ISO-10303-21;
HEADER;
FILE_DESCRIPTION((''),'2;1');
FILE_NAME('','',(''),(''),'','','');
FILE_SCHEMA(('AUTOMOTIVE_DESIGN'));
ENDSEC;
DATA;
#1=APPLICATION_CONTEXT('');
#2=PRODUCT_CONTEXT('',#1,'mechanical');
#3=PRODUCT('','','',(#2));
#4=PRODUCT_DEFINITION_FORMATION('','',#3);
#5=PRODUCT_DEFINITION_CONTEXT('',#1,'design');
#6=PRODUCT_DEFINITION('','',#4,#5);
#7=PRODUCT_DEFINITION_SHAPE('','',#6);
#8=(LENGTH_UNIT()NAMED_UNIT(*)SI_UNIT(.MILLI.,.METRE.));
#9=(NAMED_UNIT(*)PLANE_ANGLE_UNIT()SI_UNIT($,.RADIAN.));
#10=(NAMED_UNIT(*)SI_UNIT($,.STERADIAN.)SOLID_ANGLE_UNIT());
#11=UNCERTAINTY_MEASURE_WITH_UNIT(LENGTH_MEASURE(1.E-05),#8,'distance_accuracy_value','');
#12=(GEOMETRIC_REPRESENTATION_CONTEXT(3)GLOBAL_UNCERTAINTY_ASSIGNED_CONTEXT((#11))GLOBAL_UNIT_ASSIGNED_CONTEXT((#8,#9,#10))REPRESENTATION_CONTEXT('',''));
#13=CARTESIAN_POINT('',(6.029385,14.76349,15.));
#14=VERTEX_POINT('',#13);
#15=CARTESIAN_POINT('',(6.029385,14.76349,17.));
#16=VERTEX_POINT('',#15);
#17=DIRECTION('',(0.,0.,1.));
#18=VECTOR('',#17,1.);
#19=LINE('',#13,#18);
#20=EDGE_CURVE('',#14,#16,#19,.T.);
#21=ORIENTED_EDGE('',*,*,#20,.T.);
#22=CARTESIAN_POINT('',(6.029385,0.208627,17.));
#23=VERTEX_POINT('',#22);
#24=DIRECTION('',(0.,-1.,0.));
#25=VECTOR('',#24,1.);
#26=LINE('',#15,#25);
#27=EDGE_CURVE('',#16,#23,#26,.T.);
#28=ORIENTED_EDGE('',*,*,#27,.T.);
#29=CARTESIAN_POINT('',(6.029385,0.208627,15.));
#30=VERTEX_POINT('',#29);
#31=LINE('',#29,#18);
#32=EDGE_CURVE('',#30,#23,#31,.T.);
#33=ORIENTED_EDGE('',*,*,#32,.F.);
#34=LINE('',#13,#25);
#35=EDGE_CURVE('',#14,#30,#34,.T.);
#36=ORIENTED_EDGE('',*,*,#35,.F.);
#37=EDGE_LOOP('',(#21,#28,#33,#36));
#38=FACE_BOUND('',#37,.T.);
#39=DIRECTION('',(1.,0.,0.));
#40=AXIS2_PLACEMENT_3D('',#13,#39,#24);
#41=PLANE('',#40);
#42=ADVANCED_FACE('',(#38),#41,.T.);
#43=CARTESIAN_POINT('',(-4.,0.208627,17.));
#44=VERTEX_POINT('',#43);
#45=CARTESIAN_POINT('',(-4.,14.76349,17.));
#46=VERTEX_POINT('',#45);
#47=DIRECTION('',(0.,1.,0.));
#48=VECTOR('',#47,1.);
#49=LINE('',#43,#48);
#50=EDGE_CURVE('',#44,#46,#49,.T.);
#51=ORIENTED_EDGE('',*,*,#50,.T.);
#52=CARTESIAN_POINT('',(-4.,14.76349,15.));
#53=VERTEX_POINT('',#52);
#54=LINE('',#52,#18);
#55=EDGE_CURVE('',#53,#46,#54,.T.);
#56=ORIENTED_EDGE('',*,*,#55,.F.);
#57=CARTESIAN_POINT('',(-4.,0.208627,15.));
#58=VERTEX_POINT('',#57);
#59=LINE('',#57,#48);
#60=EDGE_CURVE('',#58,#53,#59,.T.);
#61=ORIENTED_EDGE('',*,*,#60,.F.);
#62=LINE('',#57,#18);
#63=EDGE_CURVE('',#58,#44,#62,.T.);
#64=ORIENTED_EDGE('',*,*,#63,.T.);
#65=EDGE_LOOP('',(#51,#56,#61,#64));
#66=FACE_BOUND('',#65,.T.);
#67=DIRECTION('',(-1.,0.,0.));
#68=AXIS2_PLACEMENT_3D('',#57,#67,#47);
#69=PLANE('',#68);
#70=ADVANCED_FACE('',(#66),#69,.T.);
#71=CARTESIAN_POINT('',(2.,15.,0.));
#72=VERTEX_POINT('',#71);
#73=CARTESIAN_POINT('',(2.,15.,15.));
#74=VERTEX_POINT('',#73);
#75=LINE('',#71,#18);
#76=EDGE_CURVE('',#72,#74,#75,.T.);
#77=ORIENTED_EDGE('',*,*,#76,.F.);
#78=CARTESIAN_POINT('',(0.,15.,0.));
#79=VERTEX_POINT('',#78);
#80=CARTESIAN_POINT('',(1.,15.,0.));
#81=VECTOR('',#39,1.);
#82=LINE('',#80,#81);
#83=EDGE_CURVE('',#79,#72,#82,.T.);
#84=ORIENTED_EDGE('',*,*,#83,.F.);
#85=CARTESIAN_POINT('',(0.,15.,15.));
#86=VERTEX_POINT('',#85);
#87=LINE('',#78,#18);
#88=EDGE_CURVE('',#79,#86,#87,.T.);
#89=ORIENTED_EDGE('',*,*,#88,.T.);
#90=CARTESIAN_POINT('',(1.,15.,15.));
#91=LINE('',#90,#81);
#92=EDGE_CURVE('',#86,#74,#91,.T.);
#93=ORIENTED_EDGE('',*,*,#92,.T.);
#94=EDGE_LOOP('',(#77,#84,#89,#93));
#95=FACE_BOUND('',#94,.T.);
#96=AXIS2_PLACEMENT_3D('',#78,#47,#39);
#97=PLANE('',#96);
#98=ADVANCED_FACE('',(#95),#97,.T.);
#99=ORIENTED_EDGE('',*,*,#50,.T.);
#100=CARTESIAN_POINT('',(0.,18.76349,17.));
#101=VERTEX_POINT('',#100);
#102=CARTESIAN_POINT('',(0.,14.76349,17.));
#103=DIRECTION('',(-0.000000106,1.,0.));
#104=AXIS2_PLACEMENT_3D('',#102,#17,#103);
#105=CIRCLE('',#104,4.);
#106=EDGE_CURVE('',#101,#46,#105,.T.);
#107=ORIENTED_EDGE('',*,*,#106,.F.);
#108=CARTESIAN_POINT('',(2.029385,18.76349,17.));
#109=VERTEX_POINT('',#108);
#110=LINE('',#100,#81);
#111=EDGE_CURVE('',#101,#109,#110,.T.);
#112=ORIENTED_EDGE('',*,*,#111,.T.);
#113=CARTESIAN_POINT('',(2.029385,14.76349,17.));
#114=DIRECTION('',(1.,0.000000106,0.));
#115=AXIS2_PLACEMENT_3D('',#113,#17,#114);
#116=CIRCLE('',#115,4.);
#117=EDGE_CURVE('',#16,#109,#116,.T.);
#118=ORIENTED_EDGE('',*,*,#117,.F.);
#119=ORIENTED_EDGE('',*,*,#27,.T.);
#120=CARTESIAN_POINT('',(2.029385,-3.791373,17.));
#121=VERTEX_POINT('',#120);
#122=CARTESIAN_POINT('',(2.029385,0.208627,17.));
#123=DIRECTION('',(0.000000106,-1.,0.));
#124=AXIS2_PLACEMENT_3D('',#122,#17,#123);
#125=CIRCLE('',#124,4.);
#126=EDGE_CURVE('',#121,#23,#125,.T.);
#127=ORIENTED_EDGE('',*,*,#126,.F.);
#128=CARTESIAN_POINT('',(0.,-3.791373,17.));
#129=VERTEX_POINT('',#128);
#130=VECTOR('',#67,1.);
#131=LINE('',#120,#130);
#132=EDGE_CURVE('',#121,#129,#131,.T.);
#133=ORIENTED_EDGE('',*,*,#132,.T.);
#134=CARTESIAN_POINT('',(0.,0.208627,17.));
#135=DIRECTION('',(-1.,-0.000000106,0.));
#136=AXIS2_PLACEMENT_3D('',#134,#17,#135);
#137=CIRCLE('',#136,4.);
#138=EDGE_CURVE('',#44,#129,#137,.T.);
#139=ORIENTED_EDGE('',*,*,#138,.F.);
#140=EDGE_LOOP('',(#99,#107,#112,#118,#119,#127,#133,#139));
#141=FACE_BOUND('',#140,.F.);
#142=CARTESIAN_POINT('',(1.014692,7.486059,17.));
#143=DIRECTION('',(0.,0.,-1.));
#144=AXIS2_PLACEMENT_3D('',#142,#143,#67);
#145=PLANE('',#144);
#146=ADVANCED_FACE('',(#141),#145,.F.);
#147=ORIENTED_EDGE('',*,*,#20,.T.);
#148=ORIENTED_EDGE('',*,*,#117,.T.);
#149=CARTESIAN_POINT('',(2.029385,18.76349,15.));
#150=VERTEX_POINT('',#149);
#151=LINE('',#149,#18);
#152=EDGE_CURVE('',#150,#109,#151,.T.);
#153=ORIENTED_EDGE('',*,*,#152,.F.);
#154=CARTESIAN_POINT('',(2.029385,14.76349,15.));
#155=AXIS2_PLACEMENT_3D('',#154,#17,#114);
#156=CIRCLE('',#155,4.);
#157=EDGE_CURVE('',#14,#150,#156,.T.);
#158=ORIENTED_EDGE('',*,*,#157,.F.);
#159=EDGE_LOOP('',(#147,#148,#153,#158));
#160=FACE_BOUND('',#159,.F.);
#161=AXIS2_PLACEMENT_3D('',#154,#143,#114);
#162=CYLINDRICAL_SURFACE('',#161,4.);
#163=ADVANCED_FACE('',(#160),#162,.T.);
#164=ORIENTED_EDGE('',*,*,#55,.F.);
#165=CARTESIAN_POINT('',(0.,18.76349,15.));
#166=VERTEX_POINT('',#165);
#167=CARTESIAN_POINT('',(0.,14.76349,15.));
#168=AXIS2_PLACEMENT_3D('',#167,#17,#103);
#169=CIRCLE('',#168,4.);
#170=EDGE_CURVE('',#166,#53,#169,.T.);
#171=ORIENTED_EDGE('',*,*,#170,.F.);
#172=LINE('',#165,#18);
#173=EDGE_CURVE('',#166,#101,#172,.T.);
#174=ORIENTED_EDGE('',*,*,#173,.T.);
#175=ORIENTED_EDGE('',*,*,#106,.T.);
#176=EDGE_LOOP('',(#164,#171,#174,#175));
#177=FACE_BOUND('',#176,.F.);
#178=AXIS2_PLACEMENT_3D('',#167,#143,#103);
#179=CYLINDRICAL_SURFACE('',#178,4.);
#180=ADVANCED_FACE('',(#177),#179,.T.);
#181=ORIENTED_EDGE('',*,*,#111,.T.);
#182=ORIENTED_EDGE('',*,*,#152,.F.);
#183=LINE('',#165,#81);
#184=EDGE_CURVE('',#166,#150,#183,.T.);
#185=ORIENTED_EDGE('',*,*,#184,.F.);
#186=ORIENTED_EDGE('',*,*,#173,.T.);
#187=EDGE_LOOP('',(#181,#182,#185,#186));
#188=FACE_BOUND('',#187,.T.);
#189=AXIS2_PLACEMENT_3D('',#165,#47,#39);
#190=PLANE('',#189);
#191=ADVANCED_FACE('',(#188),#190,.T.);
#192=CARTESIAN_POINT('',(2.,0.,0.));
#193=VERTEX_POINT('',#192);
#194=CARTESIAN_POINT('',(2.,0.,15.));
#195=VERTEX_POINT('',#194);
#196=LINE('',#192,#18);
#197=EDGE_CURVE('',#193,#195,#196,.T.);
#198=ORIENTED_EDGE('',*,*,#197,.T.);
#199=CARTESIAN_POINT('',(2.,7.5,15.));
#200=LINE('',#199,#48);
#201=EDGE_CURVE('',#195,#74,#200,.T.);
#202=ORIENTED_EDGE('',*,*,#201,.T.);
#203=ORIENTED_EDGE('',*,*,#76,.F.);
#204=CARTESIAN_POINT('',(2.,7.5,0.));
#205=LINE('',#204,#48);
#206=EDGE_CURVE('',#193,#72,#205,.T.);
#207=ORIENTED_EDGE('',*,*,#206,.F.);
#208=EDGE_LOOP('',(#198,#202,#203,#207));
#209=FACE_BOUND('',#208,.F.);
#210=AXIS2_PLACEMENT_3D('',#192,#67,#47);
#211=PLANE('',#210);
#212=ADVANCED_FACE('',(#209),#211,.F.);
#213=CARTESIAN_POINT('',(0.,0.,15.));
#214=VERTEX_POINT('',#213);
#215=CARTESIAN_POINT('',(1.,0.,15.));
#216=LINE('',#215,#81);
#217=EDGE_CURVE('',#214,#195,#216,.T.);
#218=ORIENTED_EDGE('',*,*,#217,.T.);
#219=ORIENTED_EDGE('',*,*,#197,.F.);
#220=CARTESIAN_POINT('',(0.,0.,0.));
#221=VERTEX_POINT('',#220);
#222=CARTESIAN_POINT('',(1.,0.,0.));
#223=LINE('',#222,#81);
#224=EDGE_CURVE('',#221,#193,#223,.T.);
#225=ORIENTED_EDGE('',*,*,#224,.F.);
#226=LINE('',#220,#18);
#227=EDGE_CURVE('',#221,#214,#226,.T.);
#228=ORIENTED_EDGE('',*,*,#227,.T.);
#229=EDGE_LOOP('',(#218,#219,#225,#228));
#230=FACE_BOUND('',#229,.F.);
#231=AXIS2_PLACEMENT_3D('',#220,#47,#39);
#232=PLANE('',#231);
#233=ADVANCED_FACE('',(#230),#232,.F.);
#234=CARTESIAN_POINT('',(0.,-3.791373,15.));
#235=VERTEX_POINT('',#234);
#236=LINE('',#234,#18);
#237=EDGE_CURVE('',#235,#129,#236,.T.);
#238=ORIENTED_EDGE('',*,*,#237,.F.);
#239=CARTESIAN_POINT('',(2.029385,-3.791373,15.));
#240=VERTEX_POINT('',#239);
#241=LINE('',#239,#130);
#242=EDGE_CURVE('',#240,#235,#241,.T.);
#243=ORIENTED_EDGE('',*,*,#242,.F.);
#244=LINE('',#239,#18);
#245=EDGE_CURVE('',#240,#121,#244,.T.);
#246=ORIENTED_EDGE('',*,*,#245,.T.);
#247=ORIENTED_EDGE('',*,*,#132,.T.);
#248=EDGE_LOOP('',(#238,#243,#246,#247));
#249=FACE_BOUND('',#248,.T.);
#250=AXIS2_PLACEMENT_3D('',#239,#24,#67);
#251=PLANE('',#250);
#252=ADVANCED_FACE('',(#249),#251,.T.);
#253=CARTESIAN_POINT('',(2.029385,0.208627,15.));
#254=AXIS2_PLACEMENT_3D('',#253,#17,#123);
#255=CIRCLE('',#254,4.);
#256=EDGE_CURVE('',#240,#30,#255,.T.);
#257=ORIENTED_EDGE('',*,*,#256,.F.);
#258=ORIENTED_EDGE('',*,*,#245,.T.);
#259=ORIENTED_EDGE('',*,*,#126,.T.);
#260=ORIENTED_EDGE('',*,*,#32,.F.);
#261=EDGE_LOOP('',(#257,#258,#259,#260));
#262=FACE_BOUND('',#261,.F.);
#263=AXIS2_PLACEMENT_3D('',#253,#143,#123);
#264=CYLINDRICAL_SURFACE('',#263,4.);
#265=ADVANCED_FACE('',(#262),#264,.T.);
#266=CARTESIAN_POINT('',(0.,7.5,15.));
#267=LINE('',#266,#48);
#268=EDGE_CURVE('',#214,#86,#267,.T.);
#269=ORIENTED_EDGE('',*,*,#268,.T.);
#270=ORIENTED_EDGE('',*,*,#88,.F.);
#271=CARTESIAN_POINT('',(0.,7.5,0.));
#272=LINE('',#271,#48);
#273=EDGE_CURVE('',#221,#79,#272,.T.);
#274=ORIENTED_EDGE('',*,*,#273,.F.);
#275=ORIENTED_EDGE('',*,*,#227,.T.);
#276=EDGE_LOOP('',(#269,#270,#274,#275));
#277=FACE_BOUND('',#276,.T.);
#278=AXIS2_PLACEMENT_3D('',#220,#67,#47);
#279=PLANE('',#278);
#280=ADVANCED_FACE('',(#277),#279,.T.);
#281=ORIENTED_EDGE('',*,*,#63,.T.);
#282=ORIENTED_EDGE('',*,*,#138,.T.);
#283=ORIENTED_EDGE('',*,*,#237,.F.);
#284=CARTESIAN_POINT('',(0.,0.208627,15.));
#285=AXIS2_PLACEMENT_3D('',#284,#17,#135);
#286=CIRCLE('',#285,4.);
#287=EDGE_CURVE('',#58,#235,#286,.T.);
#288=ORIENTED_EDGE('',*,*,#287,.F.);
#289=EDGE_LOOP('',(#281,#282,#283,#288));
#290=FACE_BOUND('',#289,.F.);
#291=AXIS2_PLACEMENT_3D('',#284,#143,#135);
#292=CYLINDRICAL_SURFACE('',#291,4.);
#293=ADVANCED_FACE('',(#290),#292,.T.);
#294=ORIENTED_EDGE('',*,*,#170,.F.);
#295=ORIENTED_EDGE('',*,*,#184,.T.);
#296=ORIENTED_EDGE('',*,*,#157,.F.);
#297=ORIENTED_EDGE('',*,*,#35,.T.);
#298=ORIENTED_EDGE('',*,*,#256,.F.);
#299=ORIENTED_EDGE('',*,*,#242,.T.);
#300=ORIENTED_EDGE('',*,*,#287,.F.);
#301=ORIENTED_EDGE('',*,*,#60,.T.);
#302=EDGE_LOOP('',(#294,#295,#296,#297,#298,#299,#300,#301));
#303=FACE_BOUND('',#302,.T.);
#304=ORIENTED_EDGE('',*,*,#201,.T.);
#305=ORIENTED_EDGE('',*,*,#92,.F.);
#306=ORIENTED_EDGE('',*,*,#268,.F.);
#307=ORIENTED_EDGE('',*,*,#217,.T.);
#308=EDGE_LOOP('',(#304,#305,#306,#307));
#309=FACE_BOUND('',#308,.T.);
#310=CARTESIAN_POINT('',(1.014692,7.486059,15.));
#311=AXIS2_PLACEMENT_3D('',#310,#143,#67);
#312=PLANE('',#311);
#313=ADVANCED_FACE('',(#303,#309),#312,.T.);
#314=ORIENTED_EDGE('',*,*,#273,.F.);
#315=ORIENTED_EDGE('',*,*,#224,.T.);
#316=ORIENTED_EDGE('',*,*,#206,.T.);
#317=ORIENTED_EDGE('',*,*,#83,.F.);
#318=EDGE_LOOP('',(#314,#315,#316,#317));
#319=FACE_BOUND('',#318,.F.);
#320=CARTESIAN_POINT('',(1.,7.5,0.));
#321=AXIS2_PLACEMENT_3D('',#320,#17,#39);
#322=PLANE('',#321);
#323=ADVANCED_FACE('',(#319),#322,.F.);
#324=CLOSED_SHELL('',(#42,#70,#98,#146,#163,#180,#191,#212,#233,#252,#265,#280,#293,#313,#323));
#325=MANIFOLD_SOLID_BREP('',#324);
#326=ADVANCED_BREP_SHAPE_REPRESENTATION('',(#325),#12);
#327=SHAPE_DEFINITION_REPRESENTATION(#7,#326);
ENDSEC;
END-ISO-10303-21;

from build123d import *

# Parameters (mm, degrees)
SKETCH_W     = 2
SKETCH_H     = 15
PAD_DEPTH    = 15
PAD001_DEPTH = 2


with BuildPart() as part:
    # Sketch → Pad (new body)
    with BuildSketch(Plane.XY):
        with Locations((1, 7.5)):
            Rectangle(SKETCH_W, SKETCH_H)
    extrude(amount=PAD_DEPTH)

    # Sketch001 → Pad001 (join)
    with BuildSketch(Plane.XY.offset(15)):
        with BuildLine():
            Line((0, 18.76349), (2.029385, 18.76349))
            ThreePointArc((6.029385, 14.76349), (4.857812, 17.591917), (2.029385, 18.76349))
            Line((6.029385, 14.76349), (6.029385, 0.208627))
            ThreePointArc((2.029385, -3.791373), (4.857812, -2.6198), (6.029385, 0.208627))
            Line((2.029385, -3.791373), (0, -3.791373))
            ThreePointArc((-4, 0.208627), (-2.828427, -2.6198), (0, -3.791373))
            Line((-4, 0.208627), (-4, 14.76349))
            ThreePointArc((0, 18.76349), (-2.828427, 17.591917), (-4, 14.76349))
        make_face()
    extrude(amount=PAD001_DEPTH)


solid = part.part
